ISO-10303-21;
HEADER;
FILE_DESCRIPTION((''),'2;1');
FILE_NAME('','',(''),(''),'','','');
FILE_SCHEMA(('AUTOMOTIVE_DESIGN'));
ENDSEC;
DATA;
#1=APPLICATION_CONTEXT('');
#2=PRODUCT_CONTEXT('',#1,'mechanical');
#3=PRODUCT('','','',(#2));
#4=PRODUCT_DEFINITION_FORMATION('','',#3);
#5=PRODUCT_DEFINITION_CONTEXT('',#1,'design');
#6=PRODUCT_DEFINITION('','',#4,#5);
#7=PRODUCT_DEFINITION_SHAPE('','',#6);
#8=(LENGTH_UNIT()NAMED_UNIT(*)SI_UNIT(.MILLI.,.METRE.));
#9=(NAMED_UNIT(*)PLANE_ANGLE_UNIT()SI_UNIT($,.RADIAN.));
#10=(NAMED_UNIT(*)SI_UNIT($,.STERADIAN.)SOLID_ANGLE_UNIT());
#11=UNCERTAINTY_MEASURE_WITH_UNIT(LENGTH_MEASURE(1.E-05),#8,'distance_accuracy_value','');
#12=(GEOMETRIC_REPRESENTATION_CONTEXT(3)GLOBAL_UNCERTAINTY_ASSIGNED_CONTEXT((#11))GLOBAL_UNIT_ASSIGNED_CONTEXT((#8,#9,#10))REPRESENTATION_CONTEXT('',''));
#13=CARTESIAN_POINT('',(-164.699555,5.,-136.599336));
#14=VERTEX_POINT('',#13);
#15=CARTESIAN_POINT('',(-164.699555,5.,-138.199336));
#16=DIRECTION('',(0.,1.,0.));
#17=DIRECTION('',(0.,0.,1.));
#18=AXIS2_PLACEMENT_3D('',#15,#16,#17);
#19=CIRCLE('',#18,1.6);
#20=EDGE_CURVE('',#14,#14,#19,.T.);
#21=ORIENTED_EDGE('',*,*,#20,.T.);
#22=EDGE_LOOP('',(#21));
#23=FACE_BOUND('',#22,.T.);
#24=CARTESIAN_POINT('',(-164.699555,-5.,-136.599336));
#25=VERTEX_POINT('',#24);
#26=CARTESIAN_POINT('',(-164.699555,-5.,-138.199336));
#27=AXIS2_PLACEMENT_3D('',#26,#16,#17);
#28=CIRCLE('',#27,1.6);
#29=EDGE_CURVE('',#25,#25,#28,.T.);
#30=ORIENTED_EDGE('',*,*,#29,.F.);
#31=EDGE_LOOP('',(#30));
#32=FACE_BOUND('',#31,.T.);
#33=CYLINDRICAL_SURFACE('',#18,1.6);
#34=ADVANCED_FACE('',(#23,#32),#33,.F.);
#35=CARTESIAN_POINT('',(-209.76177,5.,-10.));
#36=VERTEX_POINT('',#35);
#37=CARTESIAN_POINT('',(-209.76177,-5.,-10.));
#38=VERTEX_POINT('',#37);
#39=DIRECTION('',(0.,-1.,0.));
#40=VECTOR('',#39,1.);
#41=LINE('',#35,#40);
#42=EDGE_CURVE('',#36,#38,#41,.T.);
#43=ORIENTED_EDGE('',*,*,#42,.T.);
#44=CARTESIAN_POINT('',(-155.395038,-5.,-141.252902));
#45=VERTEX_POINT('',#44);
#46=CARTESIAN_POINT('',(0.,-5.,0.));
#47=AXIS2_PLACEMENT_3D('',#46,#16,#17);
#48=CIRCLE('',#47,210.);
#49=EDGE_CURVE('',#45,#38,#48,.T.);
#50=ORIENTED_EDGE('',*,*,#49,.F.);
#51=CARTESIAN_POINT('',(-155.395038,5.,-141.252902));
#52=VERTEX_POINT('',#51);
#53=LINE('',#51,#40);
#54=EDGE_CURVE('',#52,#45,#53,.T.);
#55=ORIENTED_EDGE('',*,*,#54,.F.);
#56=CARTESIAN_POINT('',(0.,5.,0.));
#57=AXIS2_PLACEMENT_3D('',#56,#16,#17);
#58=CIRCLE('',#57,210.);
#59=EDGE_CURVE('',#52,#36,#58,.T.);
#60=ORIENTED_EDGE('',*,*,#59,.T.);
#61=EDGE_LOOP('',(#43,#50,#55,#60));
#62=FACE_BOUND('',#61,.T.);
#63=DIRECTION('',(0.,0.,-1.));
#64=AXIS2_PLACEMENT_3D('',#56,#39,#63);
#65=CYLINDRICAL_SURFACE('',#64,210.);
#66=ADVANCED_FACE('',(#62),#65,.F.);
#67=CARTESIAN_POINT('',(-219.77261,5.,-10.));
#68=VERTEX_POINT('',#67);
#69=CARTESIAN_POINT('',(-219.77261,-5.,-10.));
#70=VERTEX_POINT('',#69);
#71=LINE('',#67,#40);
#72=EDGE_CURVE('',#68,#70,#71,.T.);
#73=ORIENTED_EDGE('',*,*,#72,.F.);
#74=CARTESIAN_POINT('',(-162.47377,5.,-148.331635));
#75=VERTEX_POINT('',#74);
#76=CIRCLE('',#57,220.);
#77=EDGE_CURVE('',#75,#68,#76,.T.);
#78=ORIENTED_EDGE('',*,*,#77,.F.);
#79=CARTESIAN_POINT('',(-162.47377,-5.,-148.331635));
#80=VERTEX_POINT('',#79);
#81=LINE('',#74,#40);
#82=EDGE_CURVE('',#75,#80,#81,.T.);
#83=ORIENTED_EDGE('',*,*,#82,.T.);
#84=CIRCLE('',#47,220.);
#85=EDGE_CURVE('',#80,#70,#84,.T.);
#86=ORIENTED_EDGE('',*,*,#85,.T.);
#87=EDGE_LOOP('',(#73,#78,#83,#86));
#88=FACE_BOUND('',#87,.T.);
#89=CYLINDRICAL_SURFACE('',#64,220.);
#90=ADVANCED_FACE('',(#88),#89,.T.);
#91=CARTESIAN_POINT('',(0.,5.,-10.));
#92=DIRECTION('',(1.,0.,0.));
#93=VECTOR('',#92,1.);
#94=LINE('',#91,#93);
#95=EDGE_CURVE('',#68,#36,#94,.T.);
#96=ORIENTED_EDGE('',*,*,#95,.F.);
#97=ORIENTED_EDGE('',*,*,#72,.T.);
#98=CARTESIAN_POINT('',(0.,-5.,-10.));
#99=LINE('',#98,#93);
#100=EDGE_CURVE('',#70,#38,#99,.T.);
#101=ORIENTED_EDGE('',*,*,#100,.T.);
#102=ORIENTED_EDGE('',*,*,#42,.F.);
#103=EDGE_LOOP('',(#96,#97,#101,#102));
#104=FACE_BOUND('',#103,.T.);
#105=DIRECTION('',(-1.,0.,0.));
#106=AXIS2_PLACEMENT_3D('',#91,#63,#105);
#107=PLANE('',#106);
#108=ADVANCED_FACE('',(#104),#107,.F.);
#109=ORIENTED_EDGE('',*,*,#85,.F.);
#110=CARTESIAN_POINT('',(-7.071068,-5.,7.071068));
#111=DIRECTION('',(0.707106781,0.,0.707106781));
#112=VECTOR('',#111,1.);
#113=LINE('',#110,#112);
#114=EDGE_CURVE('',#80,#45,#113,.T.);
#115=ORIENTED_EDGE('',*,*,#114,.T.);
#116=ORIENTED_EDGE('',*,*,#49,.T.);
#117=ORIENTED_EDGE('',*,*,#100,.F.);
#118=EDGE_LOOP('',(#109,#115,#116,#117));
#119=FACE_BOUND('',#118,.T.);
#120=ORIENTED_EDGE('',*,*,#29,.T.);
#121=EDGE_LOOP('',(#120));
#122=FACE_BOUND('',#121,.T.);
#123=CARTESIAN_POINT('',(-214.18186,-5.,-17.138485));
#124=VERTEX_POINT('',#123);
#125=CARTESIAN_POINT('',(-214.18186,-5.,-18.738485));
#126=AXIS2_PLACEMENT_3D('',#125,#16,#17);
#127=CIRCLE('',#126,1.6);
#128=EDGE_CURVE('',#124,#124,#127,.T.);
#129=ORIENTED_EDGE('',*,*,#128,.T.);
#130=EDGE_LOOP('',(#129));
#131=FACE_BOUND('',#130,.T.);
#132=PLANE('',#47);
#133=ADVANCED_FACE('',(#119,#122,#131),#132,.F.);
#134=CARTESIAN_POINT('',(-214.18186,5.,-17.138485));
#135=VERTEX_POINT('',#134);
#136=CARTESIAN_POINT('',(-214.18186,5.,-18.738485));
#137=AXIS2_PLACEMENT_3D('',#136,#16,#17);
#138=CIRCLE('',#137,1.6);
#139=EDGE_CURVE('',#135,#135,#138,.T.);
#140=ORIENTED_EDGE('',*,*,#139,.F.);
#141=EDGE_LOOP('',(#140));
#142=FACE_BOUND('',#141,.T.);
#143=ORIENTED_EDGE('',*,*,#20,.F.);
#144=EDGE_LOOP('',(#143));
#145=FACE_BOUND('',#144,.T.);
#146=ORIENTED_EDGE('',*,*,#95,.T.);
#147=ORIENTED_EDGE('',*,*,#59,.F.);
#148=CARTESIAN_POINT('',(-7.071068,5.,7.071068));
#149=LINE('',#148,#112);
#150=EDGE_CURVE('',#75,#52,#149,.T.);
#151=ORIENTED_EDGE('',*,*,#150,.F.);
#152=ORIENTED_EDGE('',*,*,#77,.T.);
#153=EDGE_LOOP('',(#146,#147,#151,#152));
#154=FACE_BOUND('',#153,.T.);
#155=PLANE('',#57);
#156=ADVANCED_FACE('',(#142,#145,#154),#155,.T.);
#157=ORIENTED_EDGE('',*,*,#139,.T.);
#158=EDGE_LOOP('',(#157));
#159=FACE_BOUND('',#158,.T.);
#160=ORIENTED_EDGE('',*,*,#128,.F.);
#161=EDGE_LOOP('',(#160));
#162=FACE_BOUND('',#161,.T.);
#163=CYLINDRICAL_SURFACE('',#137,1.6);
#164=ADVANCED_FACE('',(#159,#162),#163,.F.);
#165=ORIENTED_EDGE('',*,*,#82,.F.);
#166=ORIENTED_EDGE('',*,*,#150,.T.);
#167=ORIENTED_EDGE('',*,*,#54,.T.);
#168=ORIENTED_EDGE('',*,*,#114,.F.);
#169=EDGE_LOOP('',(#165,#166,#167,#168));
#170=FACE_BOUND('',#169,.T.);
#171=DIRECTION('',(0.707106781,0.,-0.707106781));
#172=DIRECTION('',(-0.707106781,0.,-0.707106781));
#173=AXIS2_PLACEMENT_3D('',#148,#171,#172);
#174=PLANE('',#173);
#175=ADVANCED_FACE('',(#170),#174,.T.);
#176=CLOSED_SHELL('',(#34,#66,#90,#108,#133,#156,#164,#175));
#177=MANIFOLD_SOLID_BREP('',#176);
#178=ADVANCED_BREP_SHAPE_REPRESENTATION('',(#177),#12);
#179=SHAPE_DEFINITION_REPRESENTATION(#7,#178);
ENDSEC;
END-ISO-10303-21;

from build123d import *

# Parameters (mm, degrees)
BASE_DEPTH                 = 5
F_3_2_3_2_DIAMETER_HOLE1_D = 3.2


with BuildPart() as part:
    # Sketch1 → base (new, symmetric)
    with BuildSketch(Plane(origin=(0, 0, 0), x_dir=(1, 0, 0), z_dir=(0, 1, 0))):
        with BuildLine():
            Line((-155.395037554, 141.25290193), (-162.473770491, 148.331634867))
            ThreePointArc((-162.473770491, 148.331634867), (-203.253497152, 84.19035512), (-219.772609758, 10))
            Line((-219.772609758, 10), (-209.761769634, 10))
            ThreePointArc((-209.761769634, 10), (-194.014701827, 80.363520797), (-155.395037554, 141.25290193))
        make_face()
    extrude(amount=BASE_DEPTH, both=True)

    # Ø3.2 (3.2) Diameter Hole1 (through all)
    with Locations(Plane(origin=(0, 5, 0), x_dir=(1, 0, 0), z_dir=(0, 1, 0))):
        with Locations((-164.699555271, 138.199336083), (-214.18186009, 18.738484691)):
            Hole(F_3_2_3_2_DIAMETER_HOLE1_D / 2)


solid = part.part
